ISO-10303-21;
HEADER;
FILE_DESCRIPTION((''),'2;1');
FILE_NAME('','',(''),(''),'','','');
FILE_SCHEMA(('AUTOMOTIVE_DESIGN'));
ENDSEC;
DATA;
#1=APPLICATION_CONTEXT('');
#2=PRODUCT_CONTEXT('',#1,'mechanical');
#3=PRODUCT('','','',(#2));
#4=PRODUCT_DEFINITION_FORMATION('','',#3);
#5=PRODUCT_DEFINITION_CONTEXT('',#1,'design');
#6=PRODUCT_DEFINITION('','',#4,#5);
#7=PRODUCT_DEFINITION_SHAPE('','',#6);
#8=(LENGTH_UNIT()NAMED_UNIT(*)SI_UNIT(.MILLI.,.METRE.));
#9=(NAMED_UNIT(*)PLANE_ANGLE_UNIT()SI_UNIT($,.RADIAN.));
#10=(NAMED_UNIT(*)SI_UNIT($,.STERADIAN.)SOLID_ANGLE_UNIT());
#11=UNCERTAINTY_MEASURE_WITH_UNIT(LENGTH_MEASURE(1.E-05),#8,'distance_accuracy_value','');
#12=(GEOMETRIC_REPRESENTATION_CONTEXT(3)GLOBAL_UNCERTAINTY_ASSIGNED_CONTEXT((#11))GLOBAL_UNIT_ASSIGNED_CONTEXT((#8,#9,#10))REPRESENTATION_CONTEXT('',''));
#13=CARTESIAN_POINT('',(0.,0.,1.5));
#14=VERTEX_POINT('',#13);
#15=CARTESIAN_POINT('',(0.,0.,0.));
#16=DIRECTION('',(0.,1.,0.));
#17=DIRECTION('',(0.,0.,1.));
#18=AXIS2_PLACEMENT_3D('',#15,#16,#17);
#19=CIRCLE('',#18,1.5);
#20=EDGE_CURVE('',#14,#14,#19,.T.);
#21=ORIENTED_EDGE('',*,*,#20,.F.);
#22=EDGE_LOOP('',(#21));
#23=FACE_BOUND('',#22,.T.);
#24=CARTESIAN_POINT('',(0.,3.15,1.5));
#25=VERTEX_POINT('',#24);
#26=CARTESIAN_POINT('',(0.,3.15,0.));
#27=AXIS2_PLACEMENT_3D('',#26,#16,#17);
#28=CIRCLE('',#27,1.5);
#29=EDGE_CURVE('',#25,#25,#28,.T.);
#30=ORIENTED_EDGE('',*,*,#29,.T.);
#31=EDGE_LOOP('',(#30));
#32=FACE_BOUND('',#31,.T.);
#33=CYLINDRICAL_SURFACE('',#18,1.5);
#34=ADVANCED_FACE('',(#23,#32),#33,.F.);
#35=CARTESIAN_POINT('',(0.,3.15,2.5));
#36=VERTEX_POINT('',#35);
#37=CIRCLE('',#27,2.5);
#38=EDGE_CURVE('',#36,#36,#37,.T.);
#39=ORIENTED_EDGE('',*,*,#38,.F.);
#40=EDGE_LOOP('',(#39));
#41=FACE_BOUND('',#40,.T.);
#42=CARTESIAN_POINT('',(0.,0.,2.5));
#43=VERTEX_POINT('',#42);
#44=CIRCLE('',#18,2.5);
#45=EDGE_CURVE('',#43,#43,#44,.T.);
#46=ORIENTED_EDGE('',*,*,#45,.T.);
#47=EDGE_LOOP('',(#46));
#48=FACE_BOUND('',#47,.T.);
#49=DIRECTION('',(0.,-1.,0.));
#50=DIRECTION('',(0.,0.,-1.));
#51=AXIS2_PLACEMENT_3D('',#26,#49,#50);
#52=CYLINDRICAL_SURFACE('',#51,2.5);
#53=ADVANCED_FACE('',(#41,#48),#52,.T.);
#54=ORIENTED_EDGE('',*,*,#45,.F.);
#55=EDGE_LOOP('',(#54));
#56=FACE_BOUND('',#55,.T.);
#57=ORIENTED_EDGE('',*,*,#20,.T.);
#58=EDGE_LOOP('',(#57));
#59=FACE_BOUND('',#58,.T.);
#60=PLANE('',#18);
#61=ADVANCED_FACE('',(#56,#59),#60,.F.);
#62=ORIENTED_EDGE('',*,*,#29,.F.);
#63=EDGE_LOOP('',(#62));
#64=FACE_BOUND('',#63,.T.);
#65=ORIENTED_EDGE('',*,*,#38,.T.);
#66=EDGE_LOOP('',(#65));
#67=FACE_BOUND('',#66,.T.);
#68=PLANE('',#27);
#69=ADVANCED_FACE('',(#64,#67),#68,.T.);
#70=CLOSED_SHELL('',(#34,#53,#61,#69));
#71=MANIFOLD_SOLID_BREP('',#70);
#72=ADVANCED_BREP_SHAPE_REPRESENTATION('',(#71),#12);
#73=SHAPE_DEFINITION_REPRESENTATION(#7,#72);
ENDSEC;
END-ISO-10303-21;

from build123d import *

# Parameters (mm, degrees)
CROQUIS_BASE_R          = 2.5
SALIENTE_EXTRUIR1_DEPTH = 3.15
CROQUIS_BARRENOS_R      = 1.5
CORTAR_EXTRUIR1_DEPTH   = 5.735240226


with BuildPart() as part:
    # Croquis base → Saliente-Extruir1 (new body)
    with BuildSketch(Plane(origin=(0, 0, 0), x_dir=(1, 0, 0), z_dir=(0, 1, 0))):
        with Locations(Location((0, 0, 0), (0, 0, 270))):
            Circle(CROQUIS_BASE_R)
    extrude(amount=SALIENTE_EXTRUIR1_DEPTH)

    # Croquis barrenos → Cortar-Extruir1 (cut, through all)
    with BuildSketch(Plane(origin=(0, 3.15, 0), x_dir=(1, 0, 0), z_dir=(0, 1, 0))):
        with Locations(Location((0, 0, 0), (0, 0, 270))):
            Circle(CROQUIS_BARRENOS_R)
    extrude(amount=-CORTAR_EXTRUIR1_DEPTH, mode=Mode.SUBTRACT)


solid = part.part
